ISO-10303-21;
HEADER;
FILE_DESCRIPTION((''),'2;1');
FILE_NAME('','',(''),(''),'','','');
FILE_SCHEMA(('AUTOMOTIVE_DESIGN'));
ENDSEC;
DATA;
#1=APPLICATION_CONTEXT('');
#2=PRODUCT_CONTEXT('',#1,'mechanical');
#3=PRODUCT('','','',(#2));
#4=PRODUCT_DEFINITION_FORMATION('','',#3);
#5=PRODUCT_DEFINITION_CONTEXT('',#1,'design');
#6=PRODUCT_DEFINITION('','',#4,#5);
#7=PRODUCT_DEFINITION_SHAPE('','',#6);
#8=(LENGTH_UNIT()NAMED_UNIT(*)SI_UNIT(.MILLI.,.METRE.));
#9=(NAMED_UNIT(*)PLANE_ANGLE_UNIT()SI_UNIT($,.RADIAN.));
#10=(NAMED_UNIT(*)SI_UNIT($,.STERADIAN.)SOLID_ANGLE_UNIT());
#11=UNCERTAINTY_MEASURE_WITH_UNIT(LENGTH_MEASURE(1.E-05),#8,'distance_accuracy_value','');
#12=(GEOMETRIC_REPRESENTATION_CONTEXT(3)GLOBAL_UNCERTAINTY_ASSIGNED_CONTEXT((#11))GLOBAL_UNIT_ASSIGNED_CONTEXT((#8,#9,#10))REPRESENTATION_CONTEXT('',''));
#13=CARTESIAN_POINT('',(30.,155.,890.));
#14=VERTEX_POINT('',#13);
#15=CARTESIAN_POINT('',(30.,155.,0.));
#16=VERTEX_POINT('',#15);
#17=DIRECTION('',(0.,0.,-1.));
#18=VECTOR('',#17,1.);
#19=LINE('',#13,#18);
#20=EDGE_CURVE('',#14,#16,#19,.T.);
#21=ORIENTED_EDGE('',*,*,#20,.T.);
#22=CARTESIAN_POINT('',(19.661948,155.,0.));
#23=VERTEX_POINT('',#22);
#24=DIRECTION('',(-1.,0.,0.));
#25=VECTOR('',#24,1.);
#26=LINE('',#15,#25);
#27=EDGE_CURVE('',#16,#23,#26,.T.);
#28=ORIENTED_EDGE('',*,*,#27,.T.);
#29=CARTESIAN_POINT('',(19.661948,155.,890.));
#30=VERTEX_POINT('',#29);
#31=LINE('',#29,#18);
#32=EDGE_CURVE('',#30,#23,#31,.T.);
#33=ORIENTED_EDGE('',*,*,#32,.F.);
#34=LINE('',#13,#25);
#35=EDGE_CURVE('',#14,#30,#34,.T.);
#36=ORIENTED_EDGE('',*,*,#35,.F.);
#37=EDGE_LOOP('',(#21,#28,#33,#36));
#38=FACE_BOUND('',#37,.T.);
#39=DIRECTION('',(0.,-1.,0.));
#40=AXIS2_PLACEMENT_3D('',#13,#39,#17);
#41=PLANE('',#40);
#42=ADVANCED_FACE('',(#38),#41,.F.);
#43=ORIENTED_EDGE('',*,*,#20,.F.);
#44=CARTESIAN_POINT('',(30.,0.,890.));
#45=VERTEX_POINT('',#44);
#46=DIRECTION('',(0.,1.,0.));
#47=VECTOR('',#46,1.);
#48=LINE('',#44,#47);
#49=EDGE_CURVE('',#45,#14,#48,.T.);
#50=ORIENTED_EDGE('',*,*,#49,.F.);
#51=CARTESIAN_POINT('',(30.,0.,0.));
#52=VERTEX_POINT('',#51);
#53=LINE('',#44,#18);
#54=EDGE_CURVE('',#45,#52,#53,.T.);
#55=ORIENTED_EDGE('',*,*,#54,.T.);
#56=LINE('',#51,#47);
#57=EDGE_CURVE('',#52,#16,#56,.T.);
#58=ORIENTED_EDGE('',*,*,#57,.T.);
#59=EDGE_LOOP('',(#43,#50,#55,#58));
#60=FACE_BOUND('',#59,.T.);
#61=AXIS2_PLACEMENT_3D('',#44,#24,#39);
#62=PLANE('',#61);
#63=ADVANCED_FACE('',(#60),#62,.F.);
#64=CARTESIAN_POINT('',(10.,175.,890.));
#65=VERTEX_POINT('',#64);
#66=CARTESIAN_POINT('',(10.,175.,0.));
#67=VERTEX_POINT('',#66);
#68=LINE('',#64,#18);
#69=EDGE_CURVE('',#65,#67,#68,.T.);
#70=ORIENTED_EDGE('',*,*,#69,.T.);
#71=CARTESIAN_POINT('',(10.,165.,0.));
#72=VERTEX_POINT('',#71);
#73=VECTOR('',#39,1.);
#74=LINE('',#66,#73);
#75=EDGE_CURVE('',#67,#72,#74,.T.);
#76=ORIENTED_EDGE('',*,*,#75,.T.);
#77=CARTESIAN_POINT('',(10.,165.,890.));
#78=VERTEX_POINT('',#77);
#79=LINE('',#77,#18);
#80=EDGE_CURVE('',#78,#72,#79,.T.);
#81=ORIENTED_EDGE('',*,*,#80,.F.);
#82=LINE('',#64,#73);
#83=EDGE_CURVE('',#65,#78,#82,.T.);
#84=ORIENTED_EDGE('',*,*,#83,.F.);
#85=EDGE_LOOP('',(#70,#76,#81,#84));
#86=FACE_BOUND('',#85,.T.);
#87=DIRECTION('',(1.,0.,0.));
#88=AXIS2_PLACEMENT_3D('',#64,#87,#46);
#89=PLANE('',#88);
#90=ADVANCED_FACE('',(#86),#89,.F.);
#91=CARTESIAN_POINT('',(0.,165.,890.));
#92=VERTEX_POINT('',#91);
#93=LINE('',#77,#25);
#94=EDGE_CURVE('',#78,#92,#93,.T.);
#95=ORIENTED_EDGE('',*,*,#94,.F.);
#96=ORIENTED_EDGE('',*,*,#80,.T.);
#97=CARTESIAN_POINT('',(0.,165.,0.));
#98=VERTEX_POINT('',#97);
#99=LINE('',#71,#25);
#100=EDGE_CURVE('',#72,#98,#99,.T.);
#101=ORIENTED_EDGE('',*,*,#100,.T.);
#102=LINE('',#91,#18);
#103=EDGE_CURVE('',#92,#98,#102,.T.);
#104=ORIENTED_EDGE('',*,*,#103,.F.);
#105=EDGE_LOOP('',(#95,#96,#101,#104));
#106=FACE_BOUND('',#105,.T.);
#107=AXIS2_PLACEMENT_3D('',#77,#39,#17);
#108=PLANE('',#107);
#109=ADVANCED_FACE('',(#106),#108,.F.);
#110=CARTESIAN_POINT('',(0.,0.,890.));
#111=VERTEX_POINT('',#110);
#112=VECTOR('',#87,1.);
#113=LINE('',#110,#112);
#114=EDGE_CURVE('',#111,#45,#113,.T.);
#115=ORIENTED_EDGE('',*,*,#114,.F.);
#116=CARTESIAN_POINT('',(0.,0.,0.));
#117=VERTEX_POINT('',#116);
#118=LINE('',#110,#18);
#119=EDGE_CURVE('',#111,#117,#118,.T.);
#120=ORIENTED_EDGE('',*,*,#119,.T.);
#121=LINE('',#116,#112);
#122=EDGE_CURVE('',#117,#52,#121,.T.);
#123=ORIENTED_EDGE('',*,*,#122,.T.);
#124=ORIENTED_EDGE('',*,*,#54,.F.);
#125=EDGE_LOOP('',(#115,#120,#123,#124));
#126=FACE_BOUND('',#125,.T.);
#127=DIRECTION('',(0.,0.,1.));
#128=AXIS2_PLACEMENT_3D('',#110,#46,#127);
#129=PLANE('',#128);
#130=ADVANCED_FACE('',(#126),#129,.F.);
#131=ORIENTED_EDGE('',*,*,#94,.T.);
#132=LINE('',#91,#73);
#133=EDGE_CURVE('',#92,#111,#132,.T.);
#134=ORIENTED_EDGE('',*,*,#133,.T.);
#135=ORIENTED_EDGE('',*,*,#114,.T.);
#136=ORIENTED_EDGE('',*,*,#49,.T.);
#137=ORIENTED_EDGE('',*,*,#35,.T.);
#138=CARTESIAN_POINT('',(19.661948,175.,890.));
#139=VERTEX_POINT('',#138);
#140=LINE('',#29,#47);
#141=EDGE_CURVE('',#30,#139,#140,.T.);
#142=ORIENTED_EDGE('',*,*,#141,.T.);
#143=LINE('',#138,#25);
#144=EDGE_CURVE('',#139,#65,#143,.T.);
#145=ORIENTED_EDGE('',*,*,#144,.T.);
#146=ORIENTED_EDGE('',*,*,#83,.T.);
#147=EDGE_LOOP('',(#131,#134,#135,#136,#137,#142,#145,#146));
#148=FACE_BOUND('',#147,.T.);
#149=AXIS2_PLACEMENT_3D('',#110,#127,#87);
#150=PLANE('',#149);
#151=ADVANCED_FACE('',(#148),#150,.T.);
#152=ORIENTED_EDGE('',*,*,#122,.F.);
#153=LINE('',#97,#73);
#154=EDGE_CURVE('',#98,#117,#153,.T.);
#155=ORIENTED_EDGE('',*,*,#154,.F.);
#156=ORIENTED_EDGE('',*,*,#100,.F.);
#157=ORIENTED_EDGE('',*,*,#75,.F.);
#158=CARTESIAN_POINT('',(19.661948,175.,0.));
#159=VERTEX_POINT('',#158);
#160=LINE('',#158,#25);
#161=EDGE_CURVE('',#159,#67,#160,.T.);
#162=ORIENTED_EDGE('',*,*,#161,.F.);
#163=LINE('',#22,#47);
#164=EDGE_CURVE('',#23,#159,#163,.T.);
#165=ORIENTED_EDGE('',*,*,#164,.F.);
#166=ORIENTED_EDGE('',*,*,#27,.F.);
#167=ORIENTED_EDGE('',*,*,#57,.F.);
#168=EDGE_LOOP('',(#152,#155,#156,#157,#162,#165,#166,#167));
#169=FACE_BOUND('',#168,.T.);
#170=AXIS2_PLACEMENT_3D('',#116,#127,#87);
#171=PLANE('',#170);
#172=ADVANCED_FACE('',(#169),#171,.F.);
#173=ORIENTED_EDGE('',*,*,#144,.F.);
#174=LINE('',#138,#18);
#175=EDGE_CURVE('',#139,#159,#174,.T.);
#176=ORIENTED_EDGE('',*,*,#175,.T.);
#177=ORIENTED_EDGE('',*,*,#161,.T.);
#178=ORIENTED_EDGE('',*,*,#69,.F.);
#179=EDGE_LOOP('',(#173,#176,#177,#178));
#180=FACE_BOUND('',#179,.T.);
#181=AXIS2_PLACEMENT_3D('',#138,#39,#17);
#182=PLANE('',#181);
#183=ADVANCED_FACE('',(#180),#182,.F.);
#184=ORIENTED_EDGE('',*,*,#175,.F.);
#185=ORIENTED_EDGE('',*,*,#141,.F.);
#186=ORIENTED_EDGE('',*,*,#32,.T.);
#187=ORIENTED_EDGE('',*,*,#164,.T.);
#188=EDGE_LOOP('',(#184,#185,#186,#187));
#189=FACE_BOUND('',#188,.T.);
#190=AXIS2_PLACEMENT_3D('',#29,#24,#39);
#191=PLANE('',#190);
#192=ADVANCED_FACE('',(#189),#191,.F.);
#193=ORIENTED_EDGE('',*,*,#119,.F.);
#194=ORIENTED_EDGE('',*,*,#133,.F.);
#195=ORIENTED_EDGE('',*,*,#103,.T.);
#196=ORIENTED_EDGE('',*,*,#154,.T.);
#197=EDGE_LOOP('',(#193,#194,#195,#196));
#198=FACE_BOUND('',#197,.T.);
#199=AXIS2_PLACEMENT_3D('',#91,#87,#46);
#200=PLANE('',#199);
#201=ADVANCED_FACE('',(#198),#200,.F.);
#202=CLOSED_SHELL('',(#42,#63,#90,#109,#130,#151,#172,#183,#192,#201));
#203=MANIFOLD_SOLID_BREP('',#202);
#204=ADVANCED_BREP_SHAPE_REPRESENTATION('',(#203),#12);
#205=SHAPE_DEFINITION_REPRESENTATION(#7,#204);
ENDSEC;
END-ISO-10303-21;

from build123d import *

# Parameters (mm, degrees)
EXTRUDE_1_DEPTH = 890


with BuildPart() as part:
    # Эскиз1 → Бобышка-Вытянуть1 (new body)
    with BuildSketch(Plane.XY):
        Polygon((0, 0), (30, 0), (30, 155), (19.661947875, 155), (19.661947875, 175), (10, 175), (10, 165), (0, 165), align=None)
    extrude(amount=EXTRUDE_1_DEPTH)


solid = part.part
